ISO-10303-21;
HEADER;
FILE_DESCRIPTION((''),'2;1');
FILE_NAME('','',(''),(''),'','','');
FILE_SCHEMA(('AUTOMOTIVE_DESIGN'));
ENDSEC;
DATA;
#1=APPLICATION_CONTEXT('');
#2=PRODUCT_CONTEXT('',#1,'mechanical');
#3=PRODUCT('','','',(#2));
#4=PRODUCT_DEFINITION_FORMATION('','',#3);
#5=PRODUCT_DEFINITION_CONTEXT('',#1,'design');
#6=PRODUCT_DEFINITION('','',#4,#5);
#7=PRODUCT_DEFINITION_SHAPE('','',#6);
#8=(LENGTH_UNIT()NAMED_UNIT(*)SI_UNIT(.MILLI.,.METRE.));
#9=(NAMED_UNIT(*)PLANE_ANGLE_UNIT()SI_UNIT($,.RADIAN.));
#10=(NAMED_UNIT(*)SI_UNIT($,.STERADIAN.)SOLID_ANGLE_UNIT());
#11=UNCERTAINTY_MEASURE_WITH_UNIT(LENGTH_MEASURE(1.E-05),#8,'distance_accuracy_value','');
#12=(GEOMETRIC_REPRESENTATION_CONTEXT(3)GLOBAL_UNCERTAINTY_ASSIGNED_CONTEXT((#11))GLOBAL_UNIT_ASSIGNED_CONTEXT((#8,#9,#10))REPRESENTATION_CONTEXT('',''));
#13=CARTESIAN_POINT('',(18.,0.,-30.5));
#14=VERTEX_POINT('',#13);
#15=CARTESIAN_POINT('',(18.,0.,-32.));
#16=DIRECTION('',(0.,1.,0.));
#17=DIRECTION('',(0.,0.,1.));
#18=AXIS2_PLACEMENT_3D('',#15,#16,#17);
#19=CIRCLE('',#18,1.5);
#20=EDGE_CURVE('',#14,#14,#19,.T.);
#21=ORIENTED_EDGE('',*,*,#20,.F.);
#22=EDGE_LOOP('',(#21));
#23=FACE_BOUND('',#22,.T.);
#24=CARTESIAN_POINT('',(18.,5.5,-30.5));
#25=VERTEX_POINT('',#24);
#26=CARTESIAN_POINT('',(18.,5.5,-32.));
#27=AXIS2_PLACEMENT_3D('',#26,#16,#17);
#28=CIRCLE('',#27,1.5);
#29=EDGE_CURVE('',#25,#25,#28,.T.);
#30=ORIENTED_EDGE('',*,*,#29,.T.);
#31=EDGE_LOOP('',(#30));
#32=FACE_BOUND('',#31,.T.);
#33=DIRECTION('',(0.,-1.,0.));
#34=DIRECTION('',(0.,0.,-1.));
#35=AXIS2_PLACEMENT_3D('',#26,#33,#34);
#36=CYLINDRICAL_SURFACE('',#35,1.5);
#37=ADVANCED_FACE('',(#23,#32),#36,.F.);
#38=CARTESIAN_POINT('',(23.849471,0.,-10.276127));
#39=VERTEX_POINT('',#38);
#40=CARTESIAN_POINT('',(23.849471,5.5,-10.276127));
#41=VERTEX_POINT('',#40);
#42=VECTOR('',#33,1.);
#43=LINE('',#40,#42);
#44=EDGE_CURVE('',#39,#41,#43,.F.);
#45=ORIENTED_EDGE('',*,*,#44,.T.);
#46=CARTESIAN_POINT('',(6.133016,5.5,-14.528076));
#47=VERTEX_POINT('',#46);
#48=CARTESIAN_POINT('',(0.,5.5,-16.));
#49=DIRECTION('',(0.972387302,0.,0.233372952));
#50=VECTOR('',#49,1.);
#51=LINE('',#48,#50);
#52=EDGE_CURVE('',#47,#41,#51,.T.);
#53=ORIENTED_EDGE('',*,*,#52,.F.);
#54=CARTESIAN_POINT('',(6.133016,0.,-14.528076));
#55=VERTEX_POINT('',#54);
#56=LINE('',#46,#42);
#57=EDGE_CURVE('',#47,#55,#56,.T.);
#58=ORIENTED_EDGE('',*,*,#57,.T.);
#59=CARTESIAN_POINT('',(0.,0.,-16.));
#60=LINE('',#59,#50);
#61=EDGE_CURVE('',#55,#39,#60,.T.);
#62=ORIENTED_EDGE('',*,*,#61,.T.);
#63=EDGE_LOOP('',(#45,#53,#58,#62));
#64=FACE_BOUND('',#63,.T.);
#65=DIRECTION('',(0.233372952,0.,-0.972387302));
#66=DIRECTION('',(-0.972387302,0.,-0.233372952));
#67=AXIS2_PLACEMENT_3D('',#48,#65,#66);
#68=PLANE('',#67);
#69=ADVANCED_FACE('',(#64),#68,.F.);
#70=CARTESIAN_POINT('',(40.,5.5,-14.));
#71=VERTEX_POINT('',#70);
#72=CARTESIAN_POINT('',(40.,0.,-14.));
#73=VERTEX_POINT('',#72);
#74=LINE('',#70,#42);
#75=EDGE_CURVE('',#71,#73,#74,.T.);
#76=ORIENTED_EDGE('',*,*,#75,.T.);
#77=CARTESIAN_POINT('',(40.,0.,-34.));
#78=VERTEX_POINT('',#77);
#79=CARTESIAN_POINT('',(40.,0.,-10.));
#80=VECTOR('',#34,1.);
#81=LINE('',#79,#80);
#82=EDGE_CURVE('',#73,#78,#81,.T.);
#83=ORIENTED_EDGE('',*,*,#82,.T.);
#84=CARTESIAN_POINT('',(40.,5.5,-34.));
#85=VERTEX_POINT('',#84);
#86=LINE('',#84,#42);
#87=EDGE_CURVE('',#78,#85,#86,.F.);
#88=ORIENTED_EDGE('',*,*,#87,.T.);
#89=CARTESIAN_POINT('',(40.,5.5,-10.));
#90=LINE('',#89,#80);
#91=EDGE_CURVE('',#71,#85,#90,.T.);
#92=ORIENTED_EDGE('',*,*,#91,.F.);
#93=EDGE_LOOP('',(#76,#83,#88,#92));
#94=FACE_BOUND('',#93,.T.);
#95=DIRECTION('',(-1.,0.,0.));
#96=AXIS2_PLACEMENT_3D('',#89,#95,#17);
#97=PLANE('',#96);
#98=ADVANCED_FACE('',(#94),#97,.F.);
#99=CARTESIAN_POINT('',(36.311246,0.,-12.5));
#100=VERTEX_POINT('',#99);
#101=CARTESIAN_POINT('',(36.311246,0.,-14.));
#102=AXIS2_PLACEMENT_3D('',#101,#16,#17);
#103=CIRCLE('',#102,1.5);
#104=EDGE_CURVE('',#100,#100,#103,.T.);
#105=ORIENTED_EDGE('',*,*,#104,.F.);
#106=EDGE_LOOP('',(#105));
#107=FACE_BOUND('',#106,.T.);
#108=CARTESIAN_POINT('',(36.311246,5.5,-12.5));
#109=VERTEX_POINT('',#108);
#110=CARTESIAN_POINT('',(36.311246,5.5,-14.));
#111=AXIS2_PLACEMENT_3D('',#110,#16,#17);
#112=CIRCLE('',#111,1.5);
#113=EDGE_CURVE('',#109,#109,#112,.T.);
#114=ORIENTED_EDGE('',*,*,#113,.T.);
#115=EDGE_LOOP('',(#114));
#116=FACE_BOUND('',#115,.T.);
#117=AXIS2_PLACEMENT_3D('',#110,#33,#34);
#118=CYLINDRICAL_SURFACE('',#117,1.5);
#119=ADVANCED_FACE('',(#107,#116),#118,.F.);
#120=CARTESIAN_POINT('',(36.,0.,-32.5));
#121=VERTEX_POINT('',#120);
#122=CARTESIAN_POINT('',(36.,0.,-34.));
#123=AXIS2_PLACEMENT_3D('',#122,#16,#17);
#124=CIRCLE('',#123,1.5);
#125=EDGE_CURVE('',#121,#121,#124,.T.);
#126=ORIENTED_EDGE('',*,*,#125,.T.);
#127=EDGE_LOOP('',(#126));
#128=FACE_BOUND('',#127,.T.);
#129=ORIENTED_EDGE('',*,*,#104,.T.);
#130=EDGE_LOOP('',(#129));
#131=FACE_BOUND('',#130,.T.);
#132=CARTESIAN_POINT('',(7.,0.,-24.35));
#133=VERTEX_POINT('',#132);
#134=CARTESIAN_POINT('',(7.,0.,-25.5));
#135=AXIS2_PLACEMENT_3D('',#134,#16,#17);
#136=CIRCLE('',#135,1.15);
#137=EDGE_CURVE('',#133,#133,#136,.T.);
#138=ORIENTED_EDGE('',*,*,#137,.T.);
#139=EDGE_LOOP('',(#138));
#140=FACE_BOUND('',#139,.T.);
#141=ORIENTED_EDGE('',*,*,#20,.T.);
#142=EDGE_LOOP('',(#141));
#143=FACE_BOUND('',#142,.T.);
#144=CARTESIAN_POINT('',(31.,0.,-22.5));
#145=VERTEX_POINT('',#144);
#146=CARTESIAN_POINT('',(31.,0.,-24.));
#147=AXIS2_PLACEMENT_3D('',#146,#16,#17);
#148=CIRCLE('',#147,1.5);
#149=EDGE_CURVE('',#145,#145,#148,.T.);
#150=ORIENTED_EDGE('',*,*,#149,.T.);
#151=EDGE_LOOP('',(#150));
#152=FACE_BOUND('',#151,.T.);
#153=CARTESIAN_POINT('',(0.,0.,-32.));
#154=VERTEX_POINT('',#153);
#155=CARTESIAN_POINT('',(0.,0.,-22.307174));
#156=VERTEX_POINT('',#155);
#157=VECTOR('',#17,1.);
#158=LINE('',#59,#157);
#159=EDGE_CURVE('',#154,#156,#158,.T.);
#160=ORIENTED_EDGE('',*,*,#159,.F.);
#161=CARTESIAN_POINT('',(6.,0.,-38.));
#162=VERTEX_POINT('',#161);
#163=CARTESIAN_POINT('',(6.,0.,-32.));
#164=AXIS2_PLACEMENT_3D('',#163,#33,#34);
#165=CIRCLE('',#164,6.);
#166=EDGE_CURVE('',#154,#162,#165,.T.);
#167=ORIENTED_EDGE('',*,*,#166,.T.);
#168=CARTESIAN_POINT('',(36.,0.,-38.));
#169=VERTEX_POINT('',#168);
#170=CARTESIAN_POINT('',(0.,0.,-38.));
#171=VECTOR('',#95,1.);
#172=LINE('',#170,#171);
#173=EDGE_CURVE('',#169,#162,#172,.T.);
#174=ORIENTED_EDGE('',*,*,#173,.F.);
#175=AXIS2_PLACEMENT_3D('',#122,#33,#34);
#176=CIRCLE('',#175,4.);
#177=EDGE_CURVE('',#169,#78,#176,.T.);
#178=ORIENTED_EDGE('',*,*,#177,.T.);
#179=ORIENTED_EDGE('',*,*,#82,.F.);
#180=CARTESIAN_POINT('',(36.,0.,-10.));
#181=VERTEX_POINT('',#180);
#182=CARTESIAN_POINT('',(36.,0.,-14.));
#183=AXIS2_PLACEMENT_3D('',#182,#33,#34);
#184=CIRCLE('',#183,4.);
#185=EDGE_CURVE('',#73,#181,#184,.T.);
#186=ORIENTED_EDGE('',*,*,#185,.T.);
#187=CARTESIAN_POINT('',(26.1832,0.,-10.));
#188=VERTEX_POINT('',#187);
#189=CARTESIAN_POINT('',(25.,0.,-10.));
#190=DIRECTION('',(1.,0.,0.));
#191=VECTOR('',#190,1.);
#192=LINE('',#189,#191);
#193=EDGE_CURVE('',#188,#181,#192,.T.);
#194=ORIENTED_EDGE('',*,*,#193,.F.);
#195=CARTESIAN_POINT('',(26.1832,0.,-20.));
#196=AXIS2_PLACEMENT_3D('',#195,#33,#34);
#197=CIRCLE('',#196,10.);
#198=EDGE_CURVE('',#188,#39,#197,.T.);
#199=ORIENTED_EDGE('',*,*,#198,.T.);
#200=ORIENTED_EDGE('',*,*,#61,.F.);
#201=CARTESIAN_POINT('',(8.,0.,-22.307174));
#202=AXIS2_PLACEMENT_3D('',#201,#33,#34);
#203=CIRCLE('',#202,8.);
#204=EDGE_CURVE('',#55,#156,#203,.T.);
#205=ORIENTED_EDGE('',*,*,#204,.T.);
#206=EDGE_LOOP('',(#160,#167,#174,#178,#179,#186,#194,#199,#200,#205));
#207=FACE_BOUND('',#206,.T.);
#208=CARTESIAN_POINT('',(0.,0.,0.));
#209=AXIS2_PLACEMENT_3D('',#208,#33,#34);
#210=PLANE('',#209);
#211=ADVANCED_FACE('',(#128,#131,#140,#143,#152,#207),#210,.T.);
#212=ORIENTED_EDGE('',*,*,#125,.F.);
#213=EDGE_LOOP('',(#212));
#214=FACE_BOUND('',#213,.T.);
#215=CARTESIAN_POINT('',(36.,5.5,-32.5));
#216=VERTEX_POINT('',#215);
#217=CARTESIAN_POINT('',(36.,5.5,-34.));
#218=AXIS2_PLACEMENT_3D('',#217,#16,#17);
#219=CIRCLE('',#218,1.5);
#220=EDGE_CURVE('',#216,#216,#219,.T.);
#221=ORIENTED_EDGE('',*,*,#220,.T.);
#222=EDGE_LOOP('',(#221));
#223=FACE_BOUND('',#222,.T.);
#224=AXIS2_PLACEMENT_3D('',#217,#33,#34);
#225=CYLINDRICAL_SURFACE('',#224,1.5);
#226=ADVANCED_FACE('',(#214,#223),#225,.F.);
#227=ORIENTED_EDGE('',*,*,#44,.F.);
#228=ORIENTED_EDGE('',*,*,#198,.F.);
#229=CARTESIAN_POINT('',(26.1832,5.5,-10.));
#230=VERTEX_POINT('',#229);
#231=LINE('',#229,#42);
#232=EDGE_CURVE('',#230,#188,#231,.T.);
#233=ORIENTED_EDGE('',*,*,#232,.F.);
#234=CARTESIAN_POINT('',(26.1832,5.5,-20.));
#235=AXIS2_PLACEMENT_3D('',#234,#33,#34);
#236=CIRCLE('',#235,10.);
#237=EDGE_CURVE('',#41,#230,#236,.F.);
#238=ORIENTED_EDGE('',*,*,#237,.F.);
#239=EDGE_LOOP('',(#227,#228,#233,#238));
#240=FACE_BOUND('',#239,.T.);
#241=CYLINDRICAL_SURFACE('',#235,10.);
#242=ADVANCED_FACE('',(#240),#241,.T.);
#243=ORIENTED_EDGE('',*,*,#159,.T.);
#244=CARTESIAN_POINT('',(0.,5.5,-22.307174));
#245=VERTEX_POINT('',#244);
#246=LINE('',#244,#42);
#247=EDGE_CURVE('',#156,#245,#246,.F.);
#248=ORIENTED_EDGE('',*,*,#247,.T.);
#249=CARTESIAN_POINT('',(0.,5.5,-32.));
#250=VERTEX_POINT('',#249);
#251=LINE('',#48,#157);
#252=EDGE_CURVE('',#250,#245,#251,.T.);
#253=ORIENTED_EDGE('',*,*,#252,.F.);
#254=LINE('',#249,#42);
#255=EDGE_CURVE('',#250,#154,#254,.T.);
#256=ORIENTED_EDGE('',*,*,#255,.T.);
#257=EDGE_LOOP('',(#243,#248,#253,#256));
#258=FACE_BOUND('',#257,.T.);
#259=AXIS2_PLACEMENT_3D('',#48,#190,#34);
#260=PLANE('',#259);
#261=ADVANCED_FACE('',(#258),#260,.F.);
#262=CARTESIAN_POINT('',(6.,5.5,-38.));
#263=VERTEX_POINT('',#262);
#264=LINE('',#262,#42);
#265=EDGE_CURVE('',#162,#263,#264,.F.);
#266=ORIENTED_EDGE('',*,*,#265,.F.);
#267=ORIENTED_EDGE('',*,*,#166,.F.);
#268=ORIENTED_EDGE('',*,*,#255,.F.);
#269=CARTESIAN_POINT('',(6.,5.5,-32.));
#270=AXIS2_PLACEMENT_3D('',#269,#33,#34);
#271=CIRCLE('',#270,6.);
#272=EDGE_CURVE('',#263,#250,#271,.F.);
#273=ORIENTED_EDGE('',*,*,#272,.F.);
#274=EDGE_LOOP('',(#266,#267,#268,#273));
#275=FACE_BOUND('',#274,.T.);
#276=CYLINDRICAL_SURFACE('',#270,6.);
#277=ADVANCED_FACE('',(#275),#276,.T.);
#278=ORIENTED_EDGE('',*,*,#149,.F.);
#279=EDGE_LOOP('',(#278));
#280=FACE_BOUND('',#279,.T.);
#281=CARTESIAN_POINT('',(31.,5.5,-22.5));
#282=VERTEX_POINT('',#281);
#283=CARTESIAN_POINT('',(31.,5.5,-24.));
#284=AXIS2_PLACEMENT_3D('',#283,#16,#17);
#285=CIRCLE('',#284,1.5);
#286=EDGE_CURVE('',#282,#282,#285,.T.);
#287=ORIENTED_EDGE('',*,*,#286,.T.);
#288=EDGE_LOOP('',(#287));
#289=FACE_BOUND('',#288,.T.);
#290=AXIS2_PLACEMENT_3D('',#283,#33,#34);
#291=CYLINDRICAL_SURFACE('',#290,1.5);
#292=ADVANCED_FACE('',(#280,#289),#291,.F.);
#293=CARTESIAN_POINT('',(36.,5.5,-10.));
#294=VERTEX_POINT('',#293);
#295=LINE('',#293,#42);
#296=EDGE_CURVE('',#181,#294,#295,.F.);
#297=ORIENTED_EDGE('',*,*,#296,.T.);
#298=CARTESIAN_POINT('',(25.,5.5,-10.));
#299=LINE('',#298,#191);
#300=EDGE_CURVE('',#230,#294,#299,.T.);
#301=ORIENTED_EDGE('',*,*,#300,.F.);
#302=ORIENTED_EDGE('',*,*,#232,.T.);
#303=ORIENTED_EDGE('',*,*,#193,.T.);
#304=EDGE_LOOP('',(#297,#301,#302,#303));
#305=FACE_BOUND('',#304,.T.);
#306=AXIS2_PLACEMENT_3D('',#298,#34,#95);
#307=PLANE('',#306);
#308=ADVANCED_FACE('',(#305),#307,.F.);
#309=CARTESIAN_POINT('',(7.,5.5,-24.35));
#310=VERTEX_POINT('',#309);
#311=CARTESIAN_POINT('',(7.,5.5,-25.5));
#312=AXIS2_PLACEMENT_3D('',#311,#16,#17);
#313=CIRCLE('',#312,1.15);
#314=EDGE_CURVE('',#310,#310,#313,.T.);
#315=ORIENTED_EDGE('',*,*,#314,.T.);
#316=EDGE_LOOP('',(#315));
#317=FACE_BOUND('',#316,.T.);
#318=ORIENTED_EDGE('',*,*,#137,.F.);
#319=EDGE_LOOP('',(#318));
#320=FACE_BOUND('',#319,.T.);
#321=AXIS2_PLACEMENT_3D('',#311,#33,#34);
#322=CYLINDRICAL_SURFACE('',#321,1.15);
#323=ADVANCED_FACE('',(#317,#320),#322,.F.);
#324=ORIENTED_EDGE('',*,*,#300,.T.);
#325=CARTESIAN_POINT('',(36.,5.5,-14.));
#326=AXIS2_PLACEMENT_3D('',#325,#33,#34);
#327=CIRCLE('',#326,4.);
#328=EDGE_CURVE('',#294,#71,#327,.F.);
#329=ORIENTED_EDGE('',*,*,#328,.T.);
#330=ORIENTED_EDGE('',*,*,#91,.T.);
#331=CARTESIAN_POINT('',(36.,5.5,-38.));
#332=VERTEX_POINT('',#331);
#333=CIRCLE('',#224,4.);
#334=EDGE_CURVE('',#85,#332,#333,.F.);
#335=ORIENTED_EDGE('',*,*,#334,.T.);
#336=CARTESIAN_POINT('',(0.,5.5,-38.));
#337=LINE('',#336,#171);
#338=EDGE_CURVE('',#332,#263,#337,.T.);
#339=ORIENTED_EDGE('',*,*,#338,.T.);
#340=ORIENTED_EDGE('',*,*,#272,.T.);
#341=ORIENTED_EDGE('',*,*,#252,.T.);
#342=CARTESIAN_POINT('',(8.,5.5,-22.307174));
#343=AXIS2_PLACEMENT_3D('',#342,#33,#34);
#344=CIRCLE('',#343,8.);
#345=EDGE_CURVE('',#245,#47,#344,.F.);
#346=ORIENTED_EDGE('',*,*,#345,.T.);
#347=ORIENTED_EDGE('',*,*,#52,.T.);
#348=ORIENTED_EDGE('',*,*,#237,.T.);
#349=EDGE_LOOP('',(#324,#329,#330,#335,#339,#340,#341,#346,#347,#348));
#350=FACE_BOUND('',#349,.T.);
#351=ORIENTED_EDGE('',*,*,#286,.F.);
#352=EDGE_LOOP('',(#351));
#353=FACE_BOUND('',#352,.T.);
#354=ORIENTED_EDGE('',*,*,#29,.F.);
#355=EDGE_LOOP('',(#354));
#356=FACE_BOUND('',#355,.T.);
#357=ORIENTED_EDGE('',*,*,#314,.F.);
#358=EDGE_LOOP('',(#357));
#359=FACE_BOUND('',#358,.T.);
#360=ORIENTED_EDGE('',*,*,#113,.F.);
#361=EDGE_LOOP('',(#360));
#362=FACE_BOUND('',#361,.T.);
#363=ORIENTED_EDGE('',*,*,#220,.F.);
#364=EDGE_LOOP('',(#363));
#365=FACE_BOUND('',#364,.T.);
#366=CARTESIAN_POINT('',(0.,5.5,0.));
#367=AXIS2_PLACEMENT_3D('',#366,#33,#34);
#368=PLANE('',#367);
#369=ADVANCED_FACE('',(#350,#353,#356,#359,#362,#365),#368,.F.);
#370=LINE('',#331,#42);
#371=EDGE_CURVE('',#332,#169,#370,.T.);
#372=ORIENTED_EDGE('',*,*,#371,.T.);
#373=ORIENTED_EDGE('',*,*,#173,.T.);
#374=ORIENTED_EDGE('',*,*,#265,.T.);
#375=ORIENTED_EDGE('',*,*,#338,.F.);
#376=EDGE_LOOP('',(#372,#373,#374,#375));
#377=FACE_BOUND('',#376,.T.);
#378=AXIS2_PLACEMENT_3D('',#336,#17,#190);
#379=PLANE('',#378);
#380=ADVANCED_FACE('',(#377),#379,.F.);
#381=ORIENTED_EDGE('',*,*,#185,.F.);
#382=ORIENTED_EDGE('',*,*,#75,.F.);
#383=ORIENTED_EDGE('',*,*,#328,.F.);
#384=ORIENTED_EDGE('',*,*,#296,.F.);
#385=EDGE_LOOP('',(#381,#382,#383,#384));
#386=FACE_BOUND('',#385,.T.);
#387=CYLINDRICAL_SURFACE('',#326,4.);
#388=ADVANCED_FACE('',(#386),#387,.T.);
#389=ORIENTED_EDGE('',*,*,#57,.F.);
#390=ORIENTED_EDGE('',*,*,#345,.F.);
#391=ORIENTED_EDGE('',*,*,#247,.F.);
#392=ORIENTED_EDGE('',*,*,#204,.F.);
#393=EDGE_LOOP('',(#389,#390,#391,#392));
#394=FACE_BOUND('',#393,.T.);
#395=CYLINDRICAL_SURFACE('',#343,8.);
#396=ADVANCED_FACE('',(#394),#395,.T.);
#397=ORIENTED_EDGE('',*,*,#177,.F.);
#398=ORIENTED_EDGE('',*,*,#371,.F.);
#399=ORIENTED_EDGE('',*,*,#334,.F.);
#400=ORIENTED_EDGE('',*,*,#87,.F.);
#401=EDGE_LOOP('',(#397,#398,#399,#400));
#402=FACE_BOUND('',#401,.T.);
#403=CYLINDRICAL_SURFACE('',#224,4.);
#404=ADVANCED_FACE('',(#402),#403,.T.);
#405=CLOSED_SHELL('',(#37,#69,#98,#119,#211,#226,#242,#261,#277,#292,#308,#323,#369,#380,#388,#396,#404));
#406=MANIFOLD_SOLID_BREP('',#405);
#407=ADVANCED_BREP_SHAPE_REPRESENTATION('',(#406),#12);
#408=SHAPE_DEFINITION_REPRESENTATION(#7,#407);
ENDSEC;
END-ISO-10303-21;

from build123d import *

# Parameters (mm, degrees)
SKETCH1_R           = 1.5
SKETCH1_R_2         = 1.15
BOSS_EXTRUDE1_DEPTH = 5.5
FILLET1_R           = 6
FILLET2_R           = 8
FILLET3_R           = 4
FILLET4_R           = 4
FILLET5_R           = 10


with BuildPart() as part:
    # Sketch1 → Boss-Extrude1 (new body)
    with BuildSketch(Plane(origin=(0, 0, 0), x_dir=(1, 0, 0), z_dir=(0, 1, 0))):
        Polygon((0, 16), (25, 10), (40, 10), (40, 38), (0, 38), align=None)
        with Locations(Location((36, 34, 0), (0, 0, 270))):
            Circle(SKETCH1_R, mode=Mode.SUBTRACT)
        with Locations(Location((36.311245585, 14, 0), (0, 0, 270))):
            Circle(SKETCH1_R, mode=Mode.SUBTRACT)
        with Locations(Location((31, 24, 0), (0, 0, 270))):
            Circle(SKETCH1_R, mode=Mode.SUBTRACT)
        with Locations(Location((18, 32, 0), (0, 0, 270))):
            Circle(SKETCH1_R, mode=Mode.SUBTRACT)
        with Locations(Location((7, 25.5, 0), (0, 0, 270))):
            Circle(SKETCH1_R_2, mode=Mode.SUBTRACT)
    extrude(amount=BOSS_EXTRUDE1_DEPTH)

    # Fillet1
    fillet1_edges = [part.edges().sort_by_distance(p)[0] for p in [
        (0, 2.75, -38),
    ]]
    fillet(fillet1_edges, radius=FILLET1_R)

    # Fillet2
    fillet2_edges = [part.edges().sort_by_distance(p)[0] for p in [
        (0, 2.75, -16),
    ]]
    fillet(fillet2_edges, radius=FILLET2_R)

    # Fillet3
    fillet3_edges = [part.edges().sort_by_distance(p)[0] for p in [
        (40, 2.75, -38),
    ]]
    fillet(fillet3_edges, radius=FILLET3_R)

    # Fillet4
    fillet4_edges = [part.edges().sort_by_distance(p)[0] for p in [
        (40, 2.75, -10),
    ]]
    fillet(fillet4_edges, radius=FILLET4_R)

    # Fillet5
    fillet5_edges = [part.edges().sort_by_distance(p)[0] for p in [
        (25, 2.75, -10),
    ]]
    fillet(fillet5_edges, radius=FILLET5_R)


solid = part.part
